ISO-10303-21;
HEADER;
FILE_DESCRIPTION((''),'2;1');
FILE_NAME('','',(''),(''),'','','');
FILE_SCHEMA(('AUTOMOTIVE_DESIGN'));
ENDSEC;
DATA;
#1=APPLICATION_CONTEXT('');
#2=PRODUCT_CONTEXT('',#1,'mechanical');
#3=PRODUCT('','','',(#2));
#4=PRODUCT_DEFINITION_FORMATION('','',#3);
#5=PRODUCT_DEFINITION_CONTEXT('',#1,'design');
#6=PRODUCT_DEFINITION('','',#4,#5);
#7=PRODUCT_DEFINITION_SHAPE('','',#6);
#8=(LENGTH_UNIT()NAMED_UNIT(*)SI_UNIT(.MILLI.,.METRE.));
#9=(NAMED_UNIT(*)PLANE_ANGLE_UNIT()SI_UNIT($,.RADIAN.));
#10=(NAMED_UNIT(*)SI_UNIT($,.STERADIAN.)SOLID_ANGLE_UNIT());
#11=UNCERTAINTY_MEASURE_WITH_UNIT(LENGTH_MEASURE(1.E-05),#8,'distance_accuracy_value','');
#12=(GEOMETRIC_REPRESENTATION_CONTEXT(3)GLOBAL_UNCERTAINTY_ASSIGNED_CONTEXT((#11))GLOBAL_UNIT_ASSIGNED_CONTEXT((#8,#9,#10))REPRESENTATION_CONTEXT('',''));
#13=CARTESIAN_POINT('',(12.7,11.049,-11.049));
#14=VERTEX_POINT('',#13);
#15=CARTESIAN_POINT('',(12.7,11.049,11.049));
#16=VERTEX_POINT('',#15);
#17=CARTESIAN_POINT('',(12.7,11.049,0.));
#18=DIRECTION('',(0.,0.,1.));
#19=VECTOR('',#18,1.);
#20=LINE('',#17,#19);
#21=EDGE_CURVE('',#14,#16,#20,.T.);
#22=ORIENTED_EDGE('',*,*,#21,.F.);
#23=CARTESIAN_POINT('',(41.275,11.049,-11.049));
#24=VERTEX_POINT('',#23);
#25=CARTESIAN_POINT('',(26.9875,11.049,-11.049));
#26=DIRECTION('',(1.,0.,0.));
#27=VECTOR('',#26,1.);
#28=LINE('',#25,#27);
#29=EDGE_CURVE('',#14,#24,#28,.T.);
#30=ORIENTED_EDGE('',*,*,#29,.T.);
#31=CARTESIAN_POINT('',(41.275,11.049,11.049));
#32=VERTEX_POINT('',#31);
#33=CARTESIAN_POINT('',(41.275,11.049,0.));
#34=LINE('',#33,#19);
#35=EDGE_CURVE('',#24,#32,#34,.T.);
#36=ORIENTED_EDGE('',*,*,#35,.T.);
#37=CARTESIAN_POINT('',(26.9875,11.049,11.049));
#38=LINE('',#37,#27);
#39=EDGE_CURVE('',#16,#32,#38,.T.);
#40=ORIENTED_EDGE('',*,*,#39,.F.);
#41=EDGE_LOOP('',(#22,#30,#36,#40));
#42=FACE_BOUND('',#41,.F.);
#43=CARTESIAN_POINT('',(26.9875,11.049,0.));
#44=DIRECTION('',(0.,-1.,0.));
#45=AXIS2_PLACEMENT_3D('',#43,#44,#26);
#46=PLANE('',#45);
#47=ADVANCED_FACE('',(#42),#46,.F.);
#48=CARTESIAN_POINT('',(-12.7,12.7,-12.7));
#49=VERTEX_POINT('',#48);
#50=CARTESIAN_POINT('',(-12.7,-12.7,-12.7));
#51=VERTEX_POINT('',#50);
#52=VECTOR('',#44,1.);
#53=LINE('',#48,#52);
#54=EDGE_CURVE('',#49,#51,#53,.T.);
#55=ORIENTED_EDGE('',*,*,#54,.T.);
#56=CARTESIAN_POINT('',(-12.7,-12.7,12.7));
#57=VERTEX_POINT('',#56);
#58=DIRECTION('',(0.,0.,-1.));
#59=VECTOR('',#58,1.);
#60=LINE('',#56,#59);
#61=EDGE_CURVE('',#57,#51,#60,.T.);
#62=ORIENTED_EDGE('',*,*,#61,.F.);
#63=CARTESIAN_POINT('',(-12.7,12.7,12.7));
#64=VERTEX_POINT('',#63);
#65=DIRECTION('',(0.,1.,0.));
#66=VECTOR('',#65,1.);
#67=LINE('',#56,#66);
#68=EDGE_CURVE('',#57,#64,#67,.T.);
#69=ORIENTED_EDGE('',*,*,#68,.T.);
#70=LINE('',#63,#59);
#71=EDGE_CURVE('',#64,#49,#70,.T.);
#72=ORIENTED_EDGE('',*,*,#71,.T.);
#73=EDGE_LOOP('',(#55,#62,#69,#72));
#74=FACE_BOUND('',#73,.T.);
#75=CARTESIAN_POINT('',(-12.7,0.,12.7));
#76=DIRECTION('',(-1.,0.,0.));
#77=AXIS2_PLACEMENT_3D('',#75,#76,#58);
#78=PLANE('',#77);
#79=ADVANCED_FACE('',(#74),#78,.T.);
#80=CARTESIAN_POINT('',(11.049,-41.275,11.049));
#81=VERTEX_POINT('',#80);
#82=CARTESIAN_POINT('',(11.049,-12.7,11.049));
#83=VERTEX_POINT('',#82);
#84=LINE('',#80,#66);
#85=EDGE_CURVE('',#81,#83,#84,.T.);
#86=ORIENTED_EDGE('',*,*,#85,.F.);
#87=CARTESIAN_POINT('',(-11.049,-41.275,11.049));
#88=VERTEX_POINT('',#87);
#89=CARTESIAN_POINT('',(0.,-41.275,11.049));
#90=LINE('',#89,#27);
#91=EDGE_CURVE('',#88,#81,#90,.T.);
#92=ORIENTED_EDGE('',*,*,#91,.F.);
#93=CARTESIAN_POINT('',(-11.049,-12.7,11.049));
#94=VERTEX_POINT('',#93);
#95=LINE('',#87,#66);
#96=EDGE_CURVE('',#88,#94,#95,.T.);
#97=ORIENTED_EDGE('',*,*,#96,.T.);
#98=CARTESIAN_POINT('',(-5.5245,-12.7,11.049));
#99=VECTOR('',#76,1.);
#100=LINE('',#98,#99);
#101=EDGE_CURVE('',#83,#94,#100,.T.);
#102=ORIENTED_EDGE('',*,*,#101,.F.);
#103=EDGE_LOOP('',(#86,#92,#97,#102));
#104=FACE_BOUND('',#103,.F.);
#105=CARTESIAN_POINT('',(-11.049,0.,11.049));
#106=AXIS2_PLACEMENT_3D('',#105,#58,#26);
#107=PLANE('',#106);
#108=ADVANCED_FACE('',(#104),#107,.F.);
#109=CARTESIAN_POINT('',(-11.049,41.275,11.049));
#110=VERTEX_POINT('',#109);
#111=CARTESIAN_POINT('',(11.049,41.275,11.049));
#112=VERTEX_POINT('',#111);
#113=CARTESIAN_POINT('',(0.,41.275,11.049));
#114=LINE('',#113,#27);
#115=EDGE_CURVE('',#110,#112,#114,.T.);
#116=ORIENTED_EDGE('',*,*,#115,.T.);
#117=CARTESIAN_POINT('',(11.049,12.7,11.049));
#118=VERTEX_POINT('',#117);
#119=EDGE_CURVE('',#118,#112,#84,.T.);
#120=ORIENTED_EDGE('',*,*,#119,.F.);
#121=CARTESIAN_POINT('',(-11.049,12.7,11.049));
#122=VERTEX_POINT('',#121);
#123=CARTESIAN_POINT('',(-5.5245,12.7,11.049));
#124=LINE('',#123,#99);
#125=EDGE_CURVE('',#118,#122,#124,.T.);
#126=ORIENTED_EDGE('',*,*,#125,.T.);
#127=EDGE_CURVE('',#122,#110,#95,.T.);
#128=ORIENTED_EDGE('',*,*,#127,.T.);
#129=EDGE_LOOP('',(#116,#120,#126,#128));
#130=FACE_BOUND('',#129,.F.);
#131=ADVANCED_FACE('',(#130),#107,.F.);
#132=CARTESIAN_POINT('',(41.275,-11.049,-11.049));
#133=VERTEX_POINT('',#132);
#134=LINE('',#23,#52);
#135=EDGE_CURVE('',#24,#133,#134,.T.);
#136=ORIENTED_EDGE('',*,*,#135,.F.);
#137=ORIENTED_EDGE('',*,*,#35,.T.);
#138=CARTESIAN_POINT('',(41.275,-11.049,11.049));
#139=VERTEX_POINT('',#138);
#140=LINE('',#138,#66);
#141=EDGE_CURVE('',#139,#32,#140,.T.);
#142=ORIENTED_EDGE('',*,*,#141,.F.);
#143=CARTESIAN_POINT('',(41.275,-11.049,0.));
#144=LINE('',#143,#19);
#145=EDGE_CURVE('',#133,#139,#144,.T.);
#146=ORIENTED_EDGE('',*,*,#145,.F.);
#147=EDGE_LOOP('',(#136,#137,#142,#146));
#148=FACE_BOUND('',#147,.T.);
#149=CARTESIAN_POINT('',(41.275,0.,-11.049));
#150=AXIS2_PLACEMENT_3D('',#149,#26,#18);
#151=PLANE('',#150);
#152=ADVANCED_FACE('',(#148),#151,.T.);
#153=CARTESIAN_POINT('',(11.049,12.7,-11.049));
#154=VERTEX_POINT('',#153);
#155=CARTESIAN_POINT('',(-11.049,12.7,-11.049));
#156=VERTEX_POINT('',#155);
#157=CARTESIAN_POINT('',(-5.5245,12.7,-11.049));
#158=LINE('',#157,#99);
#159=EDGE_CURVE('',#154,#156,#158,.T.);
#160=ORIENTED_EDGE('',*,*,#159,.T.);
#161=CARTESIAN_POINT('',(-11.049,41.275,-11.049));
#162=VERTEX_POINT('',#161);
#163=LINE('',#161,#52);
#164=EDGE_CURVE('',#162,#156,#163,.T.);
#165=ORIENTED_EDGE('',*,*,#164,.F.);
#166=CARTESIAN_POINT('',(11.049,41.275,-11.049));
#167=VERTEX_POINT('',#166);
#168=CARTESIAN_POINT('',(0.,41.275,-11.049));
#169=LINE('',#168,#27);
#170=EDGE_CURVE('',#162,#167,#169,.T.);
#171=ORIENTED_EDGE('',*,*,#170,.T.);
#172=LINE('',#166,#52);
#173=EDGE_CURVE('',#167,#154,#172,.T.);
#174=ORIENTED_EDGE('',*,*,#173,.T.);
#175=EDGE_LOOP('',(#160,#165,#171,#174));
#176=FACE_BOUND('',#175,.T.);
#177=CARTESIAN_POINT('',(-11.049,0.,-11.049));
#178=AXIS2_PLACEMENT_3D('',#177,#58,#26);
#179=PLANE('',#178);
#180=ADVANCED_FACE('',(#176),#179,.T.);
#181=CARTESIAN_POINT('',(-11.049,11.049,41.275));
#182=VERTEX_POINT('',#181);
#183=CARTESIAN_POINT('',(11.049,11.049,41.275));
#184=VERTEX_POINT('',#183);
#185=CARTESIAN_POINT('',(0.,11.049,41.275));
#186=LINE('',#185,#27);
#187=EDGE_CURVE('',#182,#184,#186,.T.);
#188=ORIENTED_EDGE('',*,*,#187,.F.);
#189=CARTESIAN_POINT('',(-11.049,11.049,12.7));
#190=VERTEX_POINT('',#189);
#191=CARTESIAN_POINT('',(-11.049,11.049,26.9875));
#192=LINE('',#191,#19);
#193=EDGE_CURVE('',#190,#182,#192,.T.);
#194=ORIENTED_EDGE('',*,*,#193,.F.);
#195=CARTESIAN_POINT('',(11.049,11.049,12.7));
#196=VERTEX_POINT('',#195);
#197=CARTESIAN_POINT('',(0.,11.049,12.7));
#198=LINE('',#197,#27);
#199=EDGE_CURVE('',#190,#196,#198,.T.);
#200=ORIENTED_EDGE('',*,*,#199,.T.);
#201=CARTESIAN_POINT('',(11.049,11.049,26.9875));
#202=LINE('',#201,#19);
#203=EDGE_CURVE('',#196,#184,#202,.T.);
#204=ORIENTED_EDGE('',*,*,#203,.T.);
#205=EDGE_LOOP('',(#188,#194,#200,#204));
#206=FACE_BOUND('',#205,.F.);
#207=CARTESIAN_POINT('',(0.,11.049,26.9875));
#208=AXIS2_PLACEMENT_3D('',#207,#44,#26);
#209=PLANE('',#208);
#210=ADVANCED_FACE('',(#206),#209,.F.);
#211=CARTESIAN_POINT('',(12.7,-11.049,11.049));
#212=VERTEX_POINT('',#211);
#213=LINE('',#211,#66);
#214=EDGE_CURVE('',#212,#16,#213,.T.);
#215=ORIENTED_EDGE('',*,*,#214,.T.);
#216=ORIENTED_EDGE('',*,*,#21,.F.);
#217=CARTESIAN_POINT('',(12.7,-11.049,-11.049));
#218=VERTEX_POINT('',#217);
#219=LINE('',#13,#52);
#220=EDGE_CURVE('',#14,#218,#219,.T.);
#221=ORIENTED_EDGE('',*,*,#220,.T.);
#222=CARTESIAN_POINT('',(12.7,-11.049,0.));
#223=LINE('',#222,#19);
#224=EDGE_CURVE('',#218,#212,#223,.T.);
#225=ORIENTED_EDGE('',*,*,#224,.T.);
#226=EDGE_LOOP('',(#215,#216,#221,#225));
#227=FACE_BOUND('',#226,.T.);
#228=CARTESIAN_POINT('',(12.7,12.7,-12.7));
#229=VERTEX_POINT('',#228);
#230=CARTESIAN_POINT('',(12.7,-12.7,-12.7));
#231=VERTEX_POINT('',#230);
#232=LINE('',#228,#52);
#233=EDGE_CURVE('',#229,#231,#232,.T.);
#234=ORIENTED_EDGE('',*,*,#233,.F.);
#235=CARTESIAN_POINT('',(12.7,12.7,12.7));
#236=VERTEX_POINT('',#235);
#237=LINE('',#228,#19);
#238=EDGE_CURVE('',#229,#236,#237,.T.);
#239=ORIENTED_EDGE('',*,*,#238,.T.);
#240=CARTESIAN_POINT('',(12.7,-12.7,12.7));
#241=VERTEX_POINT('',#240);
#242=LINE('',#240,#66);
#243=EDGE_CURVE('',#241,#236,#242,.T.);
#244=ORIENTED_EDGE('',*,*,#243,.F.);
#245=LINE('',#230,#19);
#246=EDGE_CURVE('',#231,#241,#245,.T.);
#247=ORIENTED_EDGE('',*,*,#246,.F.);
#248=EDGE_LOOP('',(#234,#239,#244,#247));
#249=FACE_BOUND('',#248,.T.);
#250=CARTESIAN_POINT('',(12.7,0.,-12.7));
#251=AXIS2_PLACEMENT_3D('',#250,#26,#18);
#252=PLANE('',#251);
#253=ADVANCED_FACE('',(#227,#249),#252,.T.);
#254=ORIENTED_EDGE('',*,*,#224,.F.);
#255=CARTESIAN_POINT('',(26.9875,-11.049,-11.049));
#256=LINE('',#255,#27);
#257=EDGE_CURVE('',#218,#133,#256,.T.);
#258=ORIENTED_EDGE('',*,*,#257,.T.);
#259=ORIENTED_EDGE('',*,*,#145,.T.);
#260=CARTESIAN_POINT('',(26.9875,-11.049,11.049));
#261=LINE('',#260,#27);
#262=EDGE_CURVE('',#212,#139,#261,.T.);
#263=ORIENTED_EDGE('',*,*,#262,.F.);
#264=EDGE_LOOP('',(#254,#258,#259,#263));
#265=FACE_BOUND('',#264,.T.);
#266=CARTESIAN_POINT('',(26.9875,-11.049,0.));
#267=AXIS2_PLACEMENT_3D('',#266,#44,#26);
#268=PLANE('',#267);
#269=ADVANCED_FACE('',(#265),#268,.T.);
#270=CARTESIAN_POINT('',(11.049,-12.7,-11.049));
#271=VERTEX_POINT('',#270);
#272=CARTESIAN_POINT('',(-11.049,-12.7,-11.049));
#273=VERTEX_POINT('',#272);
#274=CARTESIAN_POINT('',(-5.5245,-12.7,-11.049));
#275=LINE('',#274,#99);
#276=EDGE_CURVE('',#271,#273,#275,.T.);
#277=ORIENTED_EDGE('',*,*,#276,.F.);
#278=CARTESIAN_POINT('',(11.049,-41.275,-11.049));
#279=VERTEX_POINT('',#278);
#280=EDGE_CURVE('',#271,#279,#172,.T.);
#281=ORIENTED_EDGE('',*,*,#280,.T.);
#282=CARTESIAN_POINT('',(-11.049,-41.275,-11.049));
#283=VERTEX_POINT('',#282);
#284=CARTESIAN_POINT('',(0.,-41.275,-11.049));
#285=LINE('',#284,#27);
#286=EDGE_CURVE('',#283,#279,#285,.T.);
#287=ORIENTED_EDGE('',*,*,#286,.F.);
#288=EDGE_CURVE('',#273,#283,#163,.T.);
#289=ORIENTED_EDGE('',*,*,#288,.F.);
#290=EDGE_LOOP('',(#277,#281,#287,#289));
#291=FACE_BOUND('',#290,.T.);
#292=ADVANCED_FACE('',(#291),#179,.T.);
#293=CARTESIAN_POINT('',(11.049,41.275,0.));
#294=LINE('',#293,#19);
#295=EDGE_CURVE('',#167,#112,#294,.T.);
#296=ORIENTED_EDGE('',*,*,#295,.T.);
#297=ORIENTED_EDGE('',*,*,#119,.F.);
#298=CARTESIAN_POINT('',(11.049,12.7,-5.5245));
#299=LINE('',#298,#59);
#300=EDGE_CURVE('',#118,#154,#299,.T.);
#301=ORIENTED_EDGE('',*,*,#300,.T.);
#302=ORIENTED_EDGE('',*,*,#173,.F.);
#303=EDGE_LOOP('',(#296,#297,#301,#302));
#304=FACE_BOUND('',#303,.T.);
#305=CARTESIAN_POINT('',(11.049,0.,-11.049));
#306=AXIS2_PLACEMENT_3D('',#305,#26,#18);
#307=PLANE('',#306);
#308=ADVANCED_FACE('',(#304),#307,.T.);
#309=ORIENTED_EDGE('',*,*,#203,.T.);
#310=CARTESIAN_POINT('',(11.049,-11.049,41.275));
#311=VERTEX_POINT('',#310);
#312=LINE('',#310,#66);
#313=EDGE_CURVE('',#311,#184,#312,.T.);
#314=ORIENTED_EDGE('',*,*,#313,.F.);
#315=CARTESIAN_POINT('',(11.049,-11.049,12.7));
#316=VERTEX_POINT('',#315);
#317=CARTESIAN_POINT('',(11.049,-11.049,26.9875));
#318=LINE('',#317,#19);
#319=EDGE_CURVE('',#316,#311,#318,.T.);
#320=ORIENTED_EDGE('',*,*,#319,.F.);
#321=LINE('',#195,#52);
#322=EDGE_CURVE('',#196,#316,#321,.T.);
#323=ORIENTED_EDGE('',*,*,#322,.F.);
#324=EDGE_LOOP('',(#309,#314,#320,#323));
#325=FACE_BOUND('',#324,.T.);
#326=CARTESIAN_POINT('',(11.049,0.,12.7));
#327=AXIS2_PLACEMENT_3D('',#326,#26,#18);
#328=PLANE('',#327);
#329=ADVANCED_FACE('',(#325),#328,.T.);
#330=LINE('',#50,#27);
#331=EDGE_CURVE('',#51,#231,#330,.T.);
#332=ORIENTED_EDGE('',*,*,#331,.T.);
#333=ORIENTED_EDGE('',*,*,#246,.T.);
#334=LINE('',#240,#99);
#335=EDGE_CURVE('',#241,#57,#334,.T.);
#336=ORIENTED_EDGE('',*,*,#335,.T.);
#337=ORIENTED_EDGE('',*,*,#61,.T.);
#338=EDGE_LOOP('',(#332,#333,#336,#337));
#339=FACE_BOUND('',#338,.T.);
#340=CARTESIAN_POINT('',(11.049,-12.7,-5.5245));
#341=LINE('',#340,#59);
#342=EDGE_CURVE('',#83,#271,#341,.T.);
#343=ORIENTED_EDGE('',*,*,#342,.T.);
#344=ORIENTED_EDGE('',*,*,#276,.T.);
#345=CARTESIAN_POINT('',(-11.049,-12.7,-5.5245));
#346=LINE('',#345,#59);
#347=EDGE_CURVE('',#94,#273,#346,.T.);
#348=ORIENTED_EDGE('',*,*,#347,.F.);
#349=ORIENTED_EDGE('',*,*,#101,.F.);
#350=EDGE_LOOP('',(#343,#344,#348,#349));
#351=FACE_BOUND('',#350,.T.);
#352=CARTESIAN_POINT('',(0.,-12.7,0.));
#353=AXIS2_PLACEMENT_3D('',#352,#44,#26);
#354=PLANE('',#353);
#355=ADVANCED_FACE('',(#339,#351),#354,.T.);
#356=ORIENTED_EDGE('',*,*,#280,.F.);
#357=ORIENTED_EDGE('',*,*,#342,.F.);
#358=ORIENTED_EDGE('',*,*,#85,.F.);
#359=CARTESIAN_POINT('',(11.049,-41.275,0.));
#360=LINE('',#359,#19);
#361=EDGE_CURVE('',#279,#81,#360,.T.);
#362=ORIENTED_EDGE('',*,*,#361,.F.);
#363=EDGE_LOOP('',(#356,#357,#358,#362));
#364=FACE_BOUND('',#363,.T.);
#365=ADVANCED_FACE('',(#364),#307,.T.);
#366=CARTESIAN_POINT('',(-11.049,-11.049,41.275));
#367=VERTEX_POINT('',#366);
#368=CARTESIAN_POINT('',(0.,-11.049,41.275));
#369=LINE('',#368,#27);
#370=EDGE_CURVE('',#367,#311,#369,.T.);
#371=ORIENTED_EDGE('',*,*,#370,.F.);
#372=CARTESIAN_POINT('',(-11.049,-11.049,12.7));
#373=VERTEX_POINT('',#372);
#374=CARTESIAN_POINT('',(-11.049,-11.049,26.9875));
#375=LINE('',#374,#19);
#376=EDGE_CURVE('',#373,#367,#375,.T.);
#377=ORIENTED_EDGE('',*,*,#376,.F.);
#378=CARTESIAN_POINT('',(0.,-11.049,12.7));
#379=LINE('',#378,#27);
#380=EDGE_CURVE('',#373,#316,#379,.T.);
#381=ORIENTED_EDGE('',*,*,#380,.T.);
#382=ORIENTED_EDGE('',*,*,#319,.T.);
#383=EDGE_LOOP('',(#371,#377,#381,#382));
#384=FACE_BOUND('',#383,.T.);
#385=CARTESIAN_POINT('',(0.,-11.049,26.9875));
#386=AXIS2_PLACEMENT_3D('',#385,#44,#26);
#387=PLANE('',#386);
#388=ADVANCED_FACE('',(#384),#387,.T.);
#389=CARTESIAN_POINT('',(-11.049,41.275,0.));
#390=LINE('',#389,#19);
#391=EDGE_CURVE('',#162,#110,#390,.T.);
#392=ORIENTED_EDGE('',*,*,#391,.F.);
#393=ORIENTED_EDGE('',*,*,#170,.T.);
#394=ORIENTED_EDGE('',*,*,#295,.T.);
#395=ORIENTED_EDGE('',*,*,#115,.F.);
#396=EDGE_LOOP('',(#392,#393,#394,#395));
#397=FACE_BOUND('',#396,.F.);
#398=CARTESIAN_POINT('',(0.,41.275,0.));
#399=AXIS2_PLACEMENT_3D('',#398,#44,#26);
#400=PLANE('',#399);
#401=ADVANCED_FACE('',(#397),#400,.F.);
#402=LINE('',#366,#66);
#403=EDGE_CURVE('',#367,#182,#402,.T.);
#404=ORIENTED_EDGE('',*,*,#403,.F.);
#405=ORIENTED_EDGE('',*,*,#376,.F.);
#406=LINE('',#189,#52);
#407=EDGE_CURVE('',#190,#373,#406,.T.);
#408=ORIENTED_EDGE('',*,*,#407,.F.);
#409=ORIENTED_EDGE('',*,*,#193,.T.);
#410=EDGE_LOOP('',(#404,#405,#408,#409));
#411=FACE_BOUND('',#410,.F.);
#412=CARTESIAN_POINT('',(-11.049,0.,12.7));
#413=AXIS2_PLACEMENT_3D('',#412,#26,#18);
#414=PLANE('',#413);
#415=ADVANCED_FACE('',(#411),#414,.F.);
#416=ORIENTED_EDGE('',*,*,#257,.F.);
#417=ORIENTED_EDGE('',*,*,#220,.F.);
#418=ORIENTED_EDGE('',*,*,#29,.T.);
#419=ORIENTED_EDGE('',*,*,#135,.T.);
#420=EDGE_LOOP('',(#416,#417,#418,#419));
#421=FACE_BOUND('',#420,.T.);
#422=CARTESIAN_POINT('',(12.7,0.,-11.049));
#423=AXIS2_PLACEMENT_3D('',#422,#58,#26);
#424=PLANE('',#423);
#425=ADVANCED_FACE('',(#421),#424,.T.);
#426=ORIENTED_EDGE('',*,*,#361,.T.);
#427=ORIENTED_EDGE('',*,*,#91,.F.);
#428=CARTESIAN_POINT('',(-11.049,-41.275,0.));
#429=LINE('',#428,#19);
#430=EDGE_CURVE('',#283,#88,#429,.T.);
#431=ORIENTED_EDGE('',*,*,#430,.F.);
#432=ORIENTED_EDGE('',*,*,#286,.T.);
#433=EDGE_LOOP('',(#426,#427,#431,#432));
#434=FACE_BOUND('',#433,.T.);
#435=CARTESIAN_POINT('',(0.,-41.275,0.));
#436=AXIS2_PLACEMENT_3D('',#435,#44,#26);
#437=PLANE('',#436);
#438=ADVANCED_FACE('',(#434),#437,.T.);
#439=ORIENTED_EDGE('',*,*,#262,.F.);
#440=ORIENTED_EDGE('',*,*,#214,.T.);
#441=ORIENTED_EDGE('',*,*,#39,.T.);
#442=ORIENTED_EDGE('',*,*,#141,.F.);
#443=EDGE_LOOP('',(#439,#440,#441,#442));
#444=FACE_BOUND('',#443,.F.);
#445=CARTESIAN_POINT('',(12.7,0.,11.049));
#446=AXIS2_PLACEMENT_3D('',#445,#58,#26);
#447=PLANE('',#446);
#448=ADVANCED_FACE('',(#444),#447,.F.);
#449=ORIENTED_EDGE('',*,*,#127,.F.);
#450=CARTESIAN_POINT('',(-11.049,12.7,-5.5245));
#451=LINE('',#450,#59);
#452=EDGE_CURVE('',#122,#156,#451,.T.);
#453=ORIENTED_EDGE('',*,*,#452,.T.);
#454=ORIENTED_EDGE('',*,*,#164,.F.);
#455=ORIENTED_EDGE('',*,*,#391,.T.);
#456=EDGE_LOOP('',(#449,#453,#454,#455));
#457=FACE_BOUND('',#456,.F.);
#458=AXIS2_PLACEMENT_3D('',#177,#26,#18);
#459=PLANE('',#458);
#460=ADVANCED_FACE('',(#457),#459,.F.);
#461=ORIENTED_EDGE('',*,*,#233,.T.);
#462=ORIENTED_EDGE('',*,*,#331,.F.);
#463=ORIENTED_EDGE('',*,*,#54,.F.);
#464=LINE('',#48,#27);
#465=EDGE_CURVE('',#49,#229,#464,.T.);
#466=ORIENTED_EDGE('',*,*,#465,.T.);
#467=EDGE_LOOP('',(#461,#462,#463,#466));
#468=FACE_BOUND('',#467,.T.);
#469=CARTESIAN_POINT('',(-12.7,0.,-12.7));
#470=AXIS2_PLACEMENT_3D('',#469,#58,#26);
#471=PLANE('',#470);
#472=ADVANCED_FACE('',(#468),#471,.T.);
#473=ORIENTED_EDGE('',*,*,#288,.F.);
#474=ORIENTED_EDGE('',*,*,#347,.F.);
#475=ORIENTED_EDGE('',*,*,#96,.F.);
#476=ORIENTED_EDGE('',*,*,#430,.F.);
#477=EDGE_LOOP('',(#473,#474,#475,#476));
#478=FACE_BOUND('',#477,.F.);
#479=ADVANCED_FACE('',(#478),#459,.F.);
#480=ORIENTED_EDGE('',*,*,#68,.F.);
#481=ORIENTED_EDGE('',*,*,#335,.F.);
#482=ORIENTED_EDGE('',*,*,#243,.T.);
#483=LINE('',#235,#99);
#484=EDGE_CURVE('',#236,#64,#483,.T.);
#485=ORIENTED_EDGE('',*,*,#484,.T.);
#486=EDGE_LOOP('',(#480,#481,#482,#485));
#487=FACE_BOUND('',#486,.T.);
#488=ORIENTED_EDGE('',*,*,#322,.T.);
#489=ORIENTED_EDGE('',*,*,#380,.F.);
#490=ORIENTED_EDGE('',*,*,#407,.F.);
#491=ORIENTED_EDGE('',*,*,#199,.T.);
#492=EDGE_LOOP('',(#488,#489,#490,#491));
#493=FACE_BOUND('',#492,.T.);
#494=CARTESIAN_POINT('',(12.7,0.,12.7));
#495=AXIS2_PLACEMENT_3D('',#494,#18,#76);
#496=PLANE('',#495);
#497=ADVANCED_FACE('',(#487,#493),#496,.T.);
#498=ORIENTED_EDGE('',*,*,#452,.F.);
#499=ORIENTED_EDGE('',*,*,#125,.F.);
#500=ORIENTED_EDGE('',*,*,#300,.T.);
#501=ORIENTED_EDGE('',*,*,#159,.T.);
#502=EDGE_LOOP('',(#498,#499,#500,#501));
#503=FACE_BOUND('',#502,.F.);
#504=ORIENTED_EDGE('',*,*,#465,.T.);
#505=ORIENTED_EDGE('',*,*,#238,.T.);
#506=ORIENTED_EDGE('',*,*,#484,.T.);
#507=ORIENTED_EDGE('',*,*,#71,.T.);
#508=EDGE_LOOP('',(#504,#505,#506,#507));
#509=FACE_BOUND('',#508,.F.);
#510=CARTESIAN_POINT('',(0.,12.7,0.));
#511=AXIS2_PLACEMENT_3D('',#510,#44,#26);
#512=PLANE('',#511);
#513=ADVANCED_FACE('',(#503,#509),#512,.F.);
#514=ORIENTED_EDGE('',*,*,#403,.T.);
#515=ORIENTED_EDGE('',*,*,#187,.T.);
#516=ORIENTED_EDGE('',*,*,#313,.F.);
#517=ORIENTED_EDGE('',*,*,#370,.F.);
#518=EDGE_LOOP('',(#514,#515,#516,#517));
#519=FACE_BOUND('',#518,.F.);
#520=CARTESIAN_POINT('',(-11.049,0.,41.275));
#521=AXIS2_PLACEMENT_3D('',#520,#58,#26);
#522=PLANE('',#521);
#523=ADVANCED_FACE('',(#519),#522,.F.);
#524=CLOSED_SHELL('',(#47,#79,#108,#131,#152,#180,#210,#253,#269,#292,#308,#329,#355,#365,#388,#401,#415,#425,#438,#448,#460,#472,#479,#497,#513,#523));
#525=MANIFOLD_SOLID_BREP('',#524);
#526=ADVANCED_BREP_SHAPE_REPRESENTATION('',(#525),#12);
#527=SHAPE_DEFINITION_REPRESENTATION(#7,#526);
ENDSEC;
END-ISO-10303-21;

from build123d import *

# Parameters (mm, degrees)
F0_W     = 22.098
F0_H     = 22.098
F1_DEPTH = 41.275
F2_DEPTH = 12.7
F0_H_2   = 28.575
F3_DEPTH = 11.049
F0_W_2   = 28.575
F4_DEPTH = 11.049


with BuildPart() as f1:
    # F0 (on Front) → F1 (new body, symmetric)
    with BuildSketch(Plane.XZ):
        Rectangle(F0_W, F0_H)
    extrude(amount=F1_DEPTH, both=True)

    # F0 (on Front) → F2 (join, symmetric)
    with BuildSketch(Plane.XZ):
        Polygon((-11.049, 12.7), (-12.7, 12.7), (-12.7, -12.7), (12.7, -12.7), (12.7, -11.049), (12.7, 11.049), (12.7, 12.7), (11.049, 12.7), align=None)
        Rectangle(F0_W, F0_H, mode=Mode.SUBTRACT)
        Rectangle(F0_W, F0_H)
    extrude(amount=F2_DEPTH, both=True)

    # F0 (on Front) → F3 (join, symmetric)
    with BuildSketch(Plane.XZ):
        with Locations((0, 26.9875)):
            Rectangle(F0_W, F0_H_2)
    extrude(amount=F3_DEPTH, both=True)

    # F0 (on Front) → F4 (join, symmetric)
    with BuildSketch(Plane.XZ):
        with Locations((26.9875, 0)):
            Rectangle(F0_W_2, F0_H)
    extrude(amount=F4_DEPTH, both=True)


solid = f1.part
